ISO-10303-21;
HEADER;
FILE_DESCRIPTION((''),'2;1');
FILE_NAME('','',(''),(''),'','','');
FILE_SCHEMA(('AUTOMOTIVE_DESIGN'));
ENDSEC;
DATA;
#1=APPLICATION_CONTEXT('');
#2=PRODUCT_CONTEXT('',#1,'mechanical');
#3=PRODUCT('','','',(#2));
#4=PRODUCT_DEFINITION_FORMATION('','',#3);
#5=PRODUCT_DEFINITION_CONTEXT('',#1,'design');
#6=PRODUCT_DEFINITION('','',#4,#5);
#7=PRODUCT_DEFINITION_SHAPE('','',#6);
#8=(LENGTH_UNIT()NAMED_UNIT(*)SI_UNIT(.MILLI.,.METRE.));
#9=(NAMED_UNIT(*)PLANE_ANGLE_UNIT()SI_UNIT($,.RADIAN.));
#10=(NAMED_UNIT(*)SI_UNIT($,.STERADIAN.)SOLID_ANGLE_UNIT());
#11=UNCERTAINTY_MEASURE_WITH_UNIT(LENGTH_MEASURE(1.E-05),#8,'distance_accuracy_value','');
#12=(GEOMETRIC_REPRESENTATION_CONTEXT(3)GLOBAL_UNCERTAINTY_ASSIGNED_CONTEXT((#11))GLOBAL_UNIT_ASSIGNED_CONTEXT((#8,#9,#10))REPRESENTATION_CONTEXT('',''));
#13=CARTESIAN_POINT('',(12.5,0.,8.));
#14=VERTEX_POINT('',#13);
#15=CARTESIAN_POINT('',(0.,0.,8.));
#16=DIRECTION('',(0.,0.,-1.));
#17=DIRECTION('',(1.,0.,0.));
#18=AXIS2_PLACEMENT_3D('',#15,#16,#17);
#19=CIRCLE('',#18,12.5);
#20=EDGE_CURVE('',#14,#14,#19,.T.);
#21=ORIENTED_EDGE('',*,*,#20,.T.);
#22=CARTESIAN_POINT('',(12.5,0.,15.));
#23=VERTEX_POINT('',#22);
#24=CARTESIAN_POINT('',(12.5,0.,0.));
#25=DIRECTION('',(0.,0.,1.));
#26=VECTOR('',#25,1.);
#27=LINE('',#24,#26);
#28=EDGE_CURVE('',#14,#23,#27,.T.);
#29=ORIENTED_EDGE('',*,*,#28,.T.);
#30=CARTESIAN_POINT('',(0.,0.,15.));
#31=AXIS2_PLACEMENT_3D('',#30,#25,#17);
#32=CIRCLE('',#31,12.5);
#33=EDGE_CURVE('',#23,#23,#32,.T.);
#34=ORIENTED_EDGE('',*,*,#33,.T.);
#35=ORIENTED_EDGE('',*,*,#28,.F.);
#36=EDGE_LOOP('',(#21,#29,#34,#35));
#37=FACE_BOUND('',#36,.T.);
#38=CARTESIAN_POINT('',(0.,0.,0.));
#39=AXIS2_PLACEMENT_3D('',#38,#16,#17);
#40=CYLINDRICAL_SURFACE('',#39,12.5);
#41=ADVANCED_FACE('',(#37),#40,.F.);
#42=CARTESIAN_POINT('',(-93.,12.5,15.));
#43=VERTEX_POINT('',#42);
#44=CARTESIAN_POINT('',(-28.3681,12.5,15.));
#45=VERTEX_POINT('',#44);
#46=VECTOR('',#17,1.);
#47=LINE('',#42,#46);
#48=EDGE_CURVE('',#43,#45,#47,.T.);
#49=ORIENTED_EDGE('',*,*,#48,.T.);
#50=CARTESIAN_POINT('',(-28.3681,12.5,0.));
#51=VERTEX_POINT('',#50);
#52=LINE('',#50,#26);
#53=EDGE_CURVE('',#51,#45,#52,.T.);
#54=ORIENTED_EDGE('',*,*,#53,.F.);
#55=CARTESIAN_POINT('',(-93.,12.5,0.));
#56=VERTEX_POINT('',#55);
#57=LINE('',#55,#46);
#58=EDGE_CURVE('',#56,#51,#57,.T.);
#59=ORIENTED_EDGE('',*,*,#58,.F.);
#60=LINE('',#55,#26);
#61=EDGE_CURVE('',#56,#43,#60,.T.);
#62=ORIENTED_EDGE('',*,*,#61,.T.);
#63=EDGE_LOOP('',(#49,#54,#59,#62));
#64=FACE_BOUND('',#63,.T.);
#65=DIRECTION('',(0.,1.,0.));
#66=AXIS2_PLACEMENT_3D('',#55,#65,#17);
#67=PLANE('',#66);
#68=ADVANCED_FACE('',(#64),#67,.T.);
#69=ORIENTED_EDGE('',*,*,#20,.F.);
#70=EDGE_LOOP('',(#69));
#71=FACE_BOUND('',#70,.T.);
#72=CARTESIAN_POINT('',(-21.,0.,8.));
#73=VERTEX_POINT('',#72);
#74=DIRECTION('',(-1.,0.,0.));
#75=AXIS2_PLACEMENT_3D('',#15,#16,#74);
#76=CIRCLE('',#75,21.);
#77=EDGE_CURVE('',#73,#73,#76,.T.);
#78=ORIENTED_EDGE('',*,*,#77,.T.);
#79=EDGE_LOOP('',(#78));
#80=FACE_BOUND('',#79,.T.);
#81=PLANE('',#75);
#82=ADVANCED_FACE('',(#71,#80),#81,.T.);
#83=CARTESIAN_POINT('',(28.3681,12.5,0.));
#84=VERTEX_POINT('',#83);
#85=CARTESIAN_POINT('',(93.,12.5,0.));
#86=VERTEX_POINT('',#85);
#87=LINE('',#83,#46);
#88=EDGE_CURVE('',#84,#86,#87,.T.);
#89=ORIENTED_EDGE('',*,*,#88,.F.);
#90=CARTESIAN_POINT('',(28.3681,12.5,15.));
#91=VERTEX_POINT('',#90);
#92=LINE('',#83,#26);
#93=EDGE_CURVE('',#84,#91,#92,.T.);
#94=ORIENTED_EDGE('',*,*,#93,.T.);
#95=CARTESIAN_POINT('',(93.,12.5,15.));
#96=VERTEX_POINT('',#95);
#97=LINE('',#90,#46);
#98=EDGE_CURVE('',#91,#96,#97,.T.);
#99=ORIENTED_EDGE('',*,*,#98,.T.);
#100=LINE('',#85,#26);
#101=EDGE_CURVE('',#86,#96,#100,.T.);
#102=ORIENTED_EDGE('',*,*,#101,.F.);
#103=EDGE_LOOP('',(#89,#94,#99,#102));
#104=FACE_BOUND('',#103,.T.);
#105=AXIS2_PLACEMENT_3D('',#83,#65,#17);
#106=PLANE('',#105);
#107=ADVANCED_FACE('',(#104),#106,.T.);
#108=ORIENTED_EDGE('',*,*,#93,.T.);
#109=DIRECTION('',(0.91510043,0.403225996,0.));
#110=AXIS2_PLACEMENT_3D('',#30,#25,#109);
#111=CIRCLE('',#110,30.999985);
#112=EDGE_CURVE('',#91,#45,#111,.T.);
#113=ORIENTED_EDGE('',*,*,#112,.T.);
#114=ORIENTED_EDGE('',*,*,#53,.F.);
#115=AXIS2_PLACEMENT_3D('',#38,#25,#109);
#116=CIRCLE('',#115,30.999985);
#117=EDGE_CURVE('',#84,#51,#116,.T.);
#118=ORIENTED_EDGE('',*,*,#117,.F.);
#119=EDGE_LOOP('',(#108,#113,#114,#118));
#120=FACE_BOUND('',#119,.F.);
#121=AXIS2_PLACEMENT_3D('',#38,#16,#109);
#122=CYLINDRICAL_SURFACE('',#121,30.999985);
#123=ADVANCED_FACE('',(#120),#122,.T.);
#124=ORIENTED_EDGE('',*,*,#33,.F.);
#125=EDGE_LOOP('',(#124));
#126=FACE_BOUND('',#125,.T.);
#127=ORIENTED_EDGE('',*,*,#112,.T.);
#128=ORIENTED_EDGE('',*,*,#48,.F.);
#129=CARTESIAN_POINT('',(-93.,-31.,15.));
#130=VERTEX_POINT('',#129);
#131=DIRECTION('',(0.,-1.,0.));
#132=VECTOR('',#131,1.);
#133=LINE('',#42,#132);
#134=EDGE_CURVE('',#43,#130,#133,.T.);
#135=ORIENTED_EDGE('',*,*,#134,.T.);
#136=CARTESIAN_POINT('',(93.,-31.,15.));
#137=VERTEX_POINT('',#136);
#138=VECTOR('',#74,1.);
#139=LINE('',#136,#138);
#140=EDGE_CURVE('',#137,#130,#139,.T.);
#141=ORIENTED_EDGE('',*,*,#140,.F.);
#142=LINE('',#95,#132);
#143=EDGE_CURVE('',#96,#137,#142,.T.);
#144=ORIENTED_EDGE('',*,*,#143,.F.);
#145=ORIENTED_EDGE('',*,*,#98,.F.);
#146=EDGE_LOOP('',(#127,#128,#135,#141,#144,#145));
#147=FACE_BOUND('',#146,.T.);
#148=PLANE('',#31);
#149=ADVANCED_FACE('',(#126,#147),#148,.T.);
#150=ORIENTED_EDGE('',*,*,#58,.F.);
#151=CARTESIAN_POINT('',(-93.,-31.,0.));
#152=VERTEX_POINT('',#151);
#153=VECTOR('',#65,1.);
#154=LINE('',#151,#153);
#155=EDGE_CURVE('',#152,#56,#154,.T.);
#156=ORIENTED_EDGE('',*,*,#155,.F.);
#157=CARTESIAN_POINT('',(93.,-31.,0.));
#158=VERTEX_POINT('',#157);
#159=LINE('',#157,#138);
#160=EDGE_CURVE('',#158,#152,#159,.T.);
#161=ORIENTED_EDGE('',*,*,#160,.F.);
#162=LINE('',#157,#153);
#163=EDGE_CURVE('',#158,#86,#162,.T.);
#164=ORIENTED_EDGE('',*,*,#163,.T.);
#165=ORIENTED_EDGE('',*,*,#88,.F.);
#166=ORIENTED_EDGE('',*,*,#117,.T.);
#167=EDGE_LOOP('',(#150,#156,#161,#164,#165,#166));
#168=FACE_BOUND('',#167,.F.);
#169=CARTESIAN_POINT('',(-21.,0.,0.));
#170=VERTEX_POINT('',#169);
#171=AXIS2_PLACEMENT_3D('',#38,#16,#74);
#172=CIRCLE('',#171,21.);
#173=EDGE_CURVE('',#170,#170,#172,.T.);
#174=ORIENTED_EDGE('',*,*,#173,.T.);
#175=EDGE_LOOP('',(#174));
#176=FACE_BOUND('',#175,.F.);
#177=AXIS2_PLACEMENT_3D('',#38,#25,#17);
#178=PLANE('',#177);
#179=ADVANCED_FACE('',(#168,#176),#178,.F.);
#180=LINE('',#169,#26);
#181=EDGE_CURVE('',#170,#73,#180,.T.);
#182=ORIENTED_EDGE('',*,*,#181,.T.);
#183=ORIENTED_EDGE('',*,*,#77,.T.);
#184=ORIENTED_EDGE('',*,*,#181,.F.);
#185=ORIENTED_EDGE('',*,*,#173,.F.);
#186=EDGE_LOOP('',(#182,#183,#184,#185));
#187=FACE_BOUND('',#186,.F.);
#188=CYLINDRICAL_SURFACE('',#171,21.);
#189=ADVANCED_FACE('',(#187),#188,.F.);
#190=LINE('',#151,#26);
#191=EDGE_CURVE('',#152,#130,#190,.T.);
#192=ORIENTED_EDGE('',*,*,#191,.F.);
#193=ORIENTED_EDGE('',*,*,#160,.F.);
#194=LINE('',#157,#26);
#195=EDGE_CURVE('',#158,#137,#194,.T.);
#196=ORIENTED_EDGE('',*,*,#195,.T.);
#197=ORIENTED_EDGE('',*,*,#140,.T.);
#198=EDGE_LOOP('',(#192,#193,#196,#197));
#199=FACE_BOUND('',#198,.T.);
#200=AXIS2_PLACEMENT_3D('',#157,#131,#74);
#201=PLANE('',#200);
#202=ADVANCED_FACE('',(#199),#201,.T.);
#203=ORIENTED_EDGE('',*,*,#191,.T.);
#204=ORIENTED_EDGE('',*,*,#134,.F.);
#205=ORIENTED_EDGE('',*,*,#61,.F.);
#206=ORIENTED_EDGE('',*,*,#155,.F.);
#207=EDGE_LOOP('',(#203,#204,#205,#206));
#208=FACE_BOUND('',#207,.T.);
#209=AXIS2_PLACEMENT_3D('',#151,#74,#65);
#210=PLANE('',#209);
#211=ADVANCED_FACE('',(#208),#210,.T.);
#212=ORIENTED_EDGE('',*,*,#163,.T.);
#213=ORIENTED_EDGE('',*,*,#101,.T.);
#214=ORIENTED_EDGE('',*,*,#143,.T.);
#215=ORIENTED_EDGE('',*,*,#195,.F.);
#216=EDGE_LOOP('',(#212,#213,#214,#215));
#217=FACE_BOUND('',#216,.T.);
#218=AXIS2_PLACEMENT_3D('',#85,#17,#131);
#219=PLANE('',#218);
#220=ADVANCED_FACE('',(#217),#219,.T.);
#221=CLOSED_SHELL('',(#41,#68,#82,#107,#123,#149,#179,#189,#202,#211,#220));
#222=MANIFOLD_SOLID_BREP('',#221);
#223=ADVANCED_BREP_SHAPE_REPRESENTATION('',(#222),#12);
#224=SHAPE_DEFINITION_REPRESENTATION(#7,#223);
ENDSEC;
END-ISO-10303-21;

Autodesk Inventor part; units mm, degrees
ref_plane "YZ Plane" through (0, 0, 0) normal (1, 0, 0) x (0, 1, 0)
ref_plane "XZ Plane" through (0, 0, 0) normal (0, 1, 0) x (-1, 0, 0)
ref_plane "XY Plane" through (0, 0, 0) normal (0, 0, 1) x (1, 0, 0)
sketch "Sketch1" plane through (0, 0, 0) normal (0, 0, 1) x (1, 0, 0)
  line L0 (93, 12.5) -> (93, -12.5)
  line L1 (93, -12.5) -> (28.3681, -12.5)
  line L2 (-93, -12.5) -> (-93, 12.5)
  line L3 (-93, 12.5) -> (30.7237, -4.1295) construction
  line L4 (93, 12.5) -> (-93, -12.5) construction
  line L5 (28.3681, -12.5) -> (93, -12.5)
  line L6 (93, -12.5) -> (93, -31)
  line L7 (93, -31) -> (-93, -31)
  line L8 (-93, -31) -> (-93, -12.5)
  arc A0 (28.3681, 12.5) -> (-28.3681, 12.5) centre (0, 0) ccw
  circle A1 centre (0, 0) radius 12.5
  line L9 (-93, 12.5) -> (-28.3681, 12.5)
  line L10 (28.3681, 12.5) -> (93, 12.5)
  dimension "d1" = 186
  dimension "d2" = 25
  dimension "d5" = 25
extrude "Extrusion1" add sketch "Sketch1" along normal blind 15
sketch "Sketch2" plane through (0, 0, 0) normal (0, 0, -1) x (-1, 0, 0)
  circle A0 centre (0, 0) radius 21
  dimension "d6" = 42
extrude "Extrusion2" cut sketch "Sketch2" against normal blind 8
properties part number "AOPORTE DE CAJA SEPARADORA"
